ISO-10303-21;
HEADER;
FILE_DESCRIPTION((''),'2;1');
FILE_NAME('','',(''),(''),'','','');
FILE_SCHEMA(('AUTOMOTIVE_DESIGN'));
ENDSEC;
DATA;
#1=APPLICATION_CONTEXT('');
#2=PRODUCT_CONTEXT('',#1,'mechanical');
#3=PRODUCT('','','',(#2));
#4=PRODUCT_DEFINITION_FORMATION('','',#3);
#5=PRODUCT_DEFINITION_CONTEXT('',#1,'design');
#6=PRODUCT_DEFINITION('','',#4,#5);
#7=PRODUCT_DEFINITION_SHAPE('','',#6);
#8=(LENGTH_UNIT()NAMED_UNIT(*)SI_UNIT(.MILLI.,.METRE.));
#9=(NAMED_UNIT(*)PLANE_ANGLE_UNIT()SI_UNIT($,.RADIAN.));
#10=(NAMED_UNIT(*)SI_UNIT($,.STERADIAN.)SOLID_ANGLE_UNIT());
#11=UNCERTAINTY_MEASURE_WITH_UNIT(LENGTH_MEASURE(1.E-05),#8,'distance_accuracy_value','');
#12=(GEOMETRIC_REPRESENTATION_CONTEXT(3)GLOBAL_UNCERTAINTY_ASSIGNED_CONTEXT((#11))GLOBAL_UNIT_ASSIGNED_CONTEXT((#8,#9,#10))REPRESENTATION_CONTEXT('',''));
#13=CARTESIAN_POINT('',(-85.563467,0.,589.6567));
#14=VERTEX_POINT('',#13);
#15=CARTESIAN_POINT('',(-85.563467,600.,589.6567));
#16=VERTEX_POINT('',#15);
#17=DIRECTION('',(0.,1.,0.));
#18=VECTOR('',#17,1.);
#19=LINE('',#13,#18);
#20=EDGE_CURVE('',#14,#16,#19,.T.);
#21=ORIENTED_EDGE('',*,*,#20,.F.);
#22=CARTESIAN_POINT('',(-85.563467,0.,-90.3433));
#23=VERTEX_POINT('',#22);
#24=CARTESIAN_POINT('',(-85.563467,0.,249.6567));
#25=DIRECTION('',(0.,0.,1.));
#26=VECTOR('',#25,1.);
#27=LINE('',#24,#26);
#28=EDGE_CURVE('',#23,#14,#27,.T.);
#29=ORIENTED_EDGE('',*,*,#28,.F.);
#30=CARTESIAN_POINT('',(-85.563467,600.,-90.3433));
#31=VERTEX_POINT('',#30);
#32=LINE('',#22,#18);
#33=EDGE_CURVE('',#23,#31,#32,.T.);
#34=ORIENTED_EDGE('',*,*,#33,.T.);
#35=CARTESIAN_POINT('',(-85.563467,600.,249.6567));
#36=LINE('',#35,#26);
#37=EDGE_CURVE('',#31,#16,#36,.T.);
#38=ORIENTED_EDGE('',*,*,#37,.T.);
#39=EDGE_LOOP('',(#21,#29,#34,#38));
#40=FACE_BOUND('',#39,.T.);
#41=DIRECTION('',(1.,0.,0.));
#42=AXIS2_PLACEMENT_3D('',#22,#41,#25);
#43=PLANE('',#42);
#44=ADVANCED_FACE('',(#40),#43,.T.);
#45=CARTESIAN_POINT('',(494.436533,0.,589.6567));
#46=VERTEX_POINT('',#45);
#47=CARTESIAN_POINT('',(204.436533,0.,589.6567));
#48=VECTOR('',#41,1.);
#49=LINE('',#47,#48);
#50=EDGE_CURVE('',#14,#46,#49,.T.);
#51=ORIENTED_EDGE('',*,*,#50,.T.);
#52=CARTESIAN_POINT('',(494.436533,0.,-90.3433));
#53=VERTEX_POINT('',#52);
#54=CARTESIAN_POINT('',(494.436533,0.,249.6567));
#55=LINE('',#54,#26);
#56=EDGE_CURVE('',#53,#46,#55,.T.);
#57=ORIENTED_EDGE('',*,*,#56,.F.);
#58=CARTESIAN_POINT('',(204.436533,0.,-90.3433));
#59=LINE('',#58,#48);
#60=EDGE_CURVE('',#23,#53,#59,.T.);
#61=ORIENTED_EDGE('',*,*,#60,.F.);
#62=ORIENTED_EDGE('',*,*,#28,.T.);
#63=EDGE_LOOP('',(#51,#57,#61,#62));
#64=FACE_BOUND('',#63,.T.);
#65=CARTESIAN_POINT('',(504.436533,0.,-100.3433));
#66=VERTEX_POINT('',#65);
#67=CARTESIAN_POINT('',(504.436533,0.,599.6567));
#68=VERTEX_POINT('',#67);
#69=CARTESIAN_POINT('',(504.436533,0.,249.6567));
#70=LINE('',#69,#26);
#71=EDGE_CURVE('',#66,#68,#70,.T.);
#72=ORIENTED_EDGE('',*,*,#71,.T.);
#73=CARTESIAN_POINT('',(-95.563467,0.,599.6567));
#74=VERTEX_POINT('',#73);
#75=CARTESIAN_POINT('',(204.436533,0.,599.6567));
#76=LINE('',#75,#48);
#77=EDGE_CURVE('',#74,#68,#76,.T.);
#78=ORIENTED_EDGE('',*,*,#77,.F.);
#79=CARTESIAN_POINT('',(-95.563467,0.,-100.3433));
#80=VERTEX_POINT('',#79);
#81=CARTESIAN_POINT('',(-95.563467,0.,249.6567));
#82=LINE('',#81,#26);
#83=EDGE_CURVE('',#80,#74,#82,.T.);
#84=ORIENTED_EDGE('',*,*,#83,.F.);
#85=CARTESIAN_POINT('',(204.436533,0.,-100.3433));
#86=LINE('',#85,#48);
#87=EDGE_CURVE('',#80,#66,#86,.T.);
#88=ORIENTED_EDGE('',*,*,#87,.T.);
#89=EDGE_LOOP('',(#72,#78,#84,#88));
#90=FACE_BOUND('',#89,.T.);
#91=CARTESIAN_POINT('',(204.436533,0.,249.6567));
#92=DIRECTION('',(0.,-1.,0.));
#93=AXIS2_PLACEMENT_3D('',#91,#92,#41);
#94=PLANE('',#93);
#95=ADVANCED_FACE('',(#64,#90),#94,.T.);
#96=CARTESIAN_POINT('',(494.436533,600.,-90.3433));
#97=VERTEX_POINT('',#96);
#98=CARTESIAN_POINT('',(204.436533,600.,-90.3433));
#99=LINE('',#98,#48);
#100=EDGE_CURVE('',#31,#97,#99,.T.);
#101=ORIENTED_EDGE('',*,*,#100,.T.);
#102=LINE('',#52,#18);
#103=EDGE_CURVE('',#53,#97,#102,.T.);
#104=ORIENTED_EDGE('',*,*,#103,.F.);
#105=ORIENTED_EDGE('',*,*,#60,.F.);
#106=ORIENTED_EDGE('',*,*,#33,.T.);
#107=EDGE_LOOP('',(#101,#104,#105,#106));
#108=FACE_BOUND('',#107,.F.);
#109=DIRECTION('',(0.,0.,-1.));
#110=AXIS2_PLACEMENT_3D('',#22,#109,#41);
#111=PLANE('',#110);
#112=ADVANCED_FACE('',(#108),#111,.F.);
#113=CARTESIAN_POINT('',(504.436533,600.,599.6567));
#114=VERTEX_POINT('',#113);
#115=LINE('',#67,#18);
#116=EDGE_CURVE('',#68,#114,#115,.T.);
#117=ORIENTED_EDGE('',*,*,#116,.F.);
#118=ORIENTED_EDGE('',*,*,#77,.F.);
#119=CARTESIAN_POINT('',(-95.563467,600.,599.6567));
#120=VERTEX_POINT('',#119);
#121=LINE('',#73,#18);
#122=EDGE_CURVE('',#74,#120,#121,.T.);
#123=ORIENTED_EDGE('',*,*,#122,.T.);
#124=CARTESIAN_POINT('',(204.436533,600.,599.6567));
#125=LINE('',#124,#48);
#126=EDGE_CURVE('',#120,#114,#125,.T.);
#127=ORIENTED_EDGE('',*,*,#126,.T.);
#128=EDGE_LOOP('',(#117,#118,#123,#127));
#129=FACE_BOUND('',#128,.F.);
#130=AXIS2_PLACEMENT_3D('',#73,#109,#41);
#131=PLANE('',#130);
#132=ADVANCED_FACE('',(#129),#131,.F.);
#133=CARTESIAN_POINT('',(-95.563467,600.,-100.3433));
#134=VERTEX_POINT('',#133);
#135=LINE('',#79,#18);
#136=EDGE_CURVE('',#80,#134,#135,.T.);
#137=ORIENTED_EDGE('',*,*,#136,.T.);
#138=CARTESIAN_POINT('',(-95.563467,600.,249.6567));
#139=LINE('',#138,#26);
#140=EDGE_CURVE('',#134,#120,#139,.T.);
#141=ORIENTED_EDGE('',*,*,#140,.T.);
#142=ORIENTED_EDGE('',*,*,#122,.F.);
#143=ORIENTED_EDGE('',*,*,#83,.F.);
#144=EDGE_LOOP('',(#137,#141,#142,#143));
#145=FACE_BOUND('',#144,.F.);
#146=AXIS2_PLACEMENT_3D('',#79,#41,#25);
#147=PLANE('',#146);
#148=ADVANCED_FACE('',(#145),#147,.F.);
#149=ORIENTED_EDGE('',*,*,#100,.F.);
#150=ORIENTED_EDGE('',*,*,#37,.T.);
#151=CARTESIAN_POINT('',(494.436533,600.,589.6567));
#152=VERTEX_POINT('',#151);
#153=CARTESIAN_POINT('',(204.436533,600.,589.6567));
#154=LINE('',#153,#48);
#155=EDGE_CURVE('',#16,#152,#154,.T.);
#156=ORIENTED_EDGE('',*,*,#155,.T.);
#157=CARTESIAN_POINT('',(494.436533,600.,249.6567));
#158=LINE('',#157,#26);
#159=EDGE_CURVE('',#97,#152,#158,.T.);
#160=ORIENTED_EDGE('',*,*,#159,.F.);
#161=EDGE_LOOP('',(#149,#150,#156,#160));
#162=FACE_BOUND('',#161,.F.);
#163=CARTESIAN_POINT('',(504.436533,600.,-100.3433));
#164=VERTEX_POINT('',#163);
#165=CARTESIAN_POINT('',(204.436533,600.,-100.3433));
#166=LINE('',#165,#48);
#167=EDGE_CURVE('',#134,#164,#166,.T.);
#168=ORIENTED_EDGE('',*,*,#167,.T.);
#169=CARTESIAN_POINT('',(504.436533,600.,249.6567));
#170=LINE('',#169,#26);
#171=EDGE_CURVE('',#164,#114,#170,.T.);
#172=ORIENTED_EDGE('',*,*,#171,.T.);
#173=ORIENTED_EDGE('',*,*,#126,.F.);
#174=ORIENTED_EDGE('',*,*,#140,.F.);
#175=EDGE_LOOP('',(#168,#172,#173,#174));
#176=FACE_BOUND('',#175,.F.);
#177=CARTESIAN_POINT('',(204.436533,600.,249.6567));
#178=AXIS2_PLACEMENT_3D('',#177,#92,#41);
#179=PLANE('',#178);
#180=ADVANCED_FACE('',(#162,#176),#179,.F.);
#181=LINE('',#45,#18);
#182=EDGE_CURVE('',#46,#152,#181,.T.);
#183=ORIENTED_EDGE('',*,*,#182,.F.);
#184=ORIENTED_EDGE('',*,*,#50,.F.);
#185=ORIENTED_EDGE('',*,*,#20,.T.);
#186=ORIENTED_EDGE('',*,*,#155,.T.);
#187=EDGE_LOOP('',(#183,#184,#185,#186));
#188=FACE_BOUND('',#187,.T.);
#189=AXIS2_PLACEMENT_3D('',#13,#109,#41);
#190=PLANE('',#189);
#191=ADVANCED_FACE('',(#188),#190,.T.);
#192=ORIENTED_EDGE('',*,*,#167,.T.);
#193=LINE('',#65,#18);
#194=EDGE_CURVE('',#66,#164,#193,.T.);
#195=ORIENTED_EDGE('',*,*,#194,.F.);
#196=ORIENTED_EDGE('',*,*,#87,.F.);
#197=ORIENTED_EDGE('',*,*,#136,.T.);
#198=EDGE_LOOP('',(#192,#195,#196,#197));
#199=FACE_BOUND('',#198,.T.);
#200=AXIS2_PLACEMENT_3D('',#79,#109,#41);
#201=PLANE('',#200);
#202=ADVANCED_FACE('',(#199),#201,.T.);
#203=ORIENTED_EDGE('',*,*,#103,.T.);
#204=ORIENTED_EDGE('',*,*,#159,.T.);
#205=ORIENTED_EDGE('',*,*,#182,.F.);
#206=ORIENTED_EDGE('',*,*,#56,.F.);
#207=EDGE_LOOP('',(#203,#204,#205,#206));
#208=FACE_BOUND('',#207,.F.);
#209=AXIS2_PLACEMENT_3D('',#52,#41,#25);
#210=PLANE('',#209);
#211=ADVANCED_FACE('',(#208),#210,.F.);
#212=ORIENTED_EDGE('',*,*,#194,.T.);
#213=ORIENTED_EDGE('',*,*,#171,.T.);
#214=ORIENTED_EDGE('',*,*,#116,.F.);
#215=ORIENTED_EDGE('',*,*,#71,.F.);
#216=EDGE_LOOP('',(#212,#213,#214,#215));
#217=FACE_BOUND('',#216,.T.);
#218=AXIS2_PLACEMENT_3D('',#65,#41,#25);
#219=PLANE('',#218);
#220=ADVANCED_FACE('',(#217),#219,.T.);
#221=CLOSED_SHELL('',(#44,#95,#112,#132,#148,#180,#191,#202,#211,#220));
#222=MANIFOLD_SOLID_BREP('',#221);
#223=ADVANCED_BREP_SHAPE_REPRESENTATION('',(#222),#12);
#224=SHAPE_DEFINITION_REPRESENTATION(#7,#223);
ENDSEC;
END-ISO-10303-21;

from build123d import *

# Parameters (mm, degrees)
F0_W     = 600
F0_H     = 700
F0_W_2   = 580
F0_H_2   = 680
F1_DEPTH = 600


with BuildPart() as f1:
    # F0 (on Front) → F1 (new body)
    with BuildSketch(Plane.XZ):
        with Locations((204.436533, 249.6567)):
            Rectangle(F0_W, F0_H)
        with Locations((204.436533, 249.6567)):
            Rectangle(F0_W_2, F0_H_2, mode=Mode.SUBTRACT)
    extrude(amount=-F1_DEPTH)


solid = f1.part
